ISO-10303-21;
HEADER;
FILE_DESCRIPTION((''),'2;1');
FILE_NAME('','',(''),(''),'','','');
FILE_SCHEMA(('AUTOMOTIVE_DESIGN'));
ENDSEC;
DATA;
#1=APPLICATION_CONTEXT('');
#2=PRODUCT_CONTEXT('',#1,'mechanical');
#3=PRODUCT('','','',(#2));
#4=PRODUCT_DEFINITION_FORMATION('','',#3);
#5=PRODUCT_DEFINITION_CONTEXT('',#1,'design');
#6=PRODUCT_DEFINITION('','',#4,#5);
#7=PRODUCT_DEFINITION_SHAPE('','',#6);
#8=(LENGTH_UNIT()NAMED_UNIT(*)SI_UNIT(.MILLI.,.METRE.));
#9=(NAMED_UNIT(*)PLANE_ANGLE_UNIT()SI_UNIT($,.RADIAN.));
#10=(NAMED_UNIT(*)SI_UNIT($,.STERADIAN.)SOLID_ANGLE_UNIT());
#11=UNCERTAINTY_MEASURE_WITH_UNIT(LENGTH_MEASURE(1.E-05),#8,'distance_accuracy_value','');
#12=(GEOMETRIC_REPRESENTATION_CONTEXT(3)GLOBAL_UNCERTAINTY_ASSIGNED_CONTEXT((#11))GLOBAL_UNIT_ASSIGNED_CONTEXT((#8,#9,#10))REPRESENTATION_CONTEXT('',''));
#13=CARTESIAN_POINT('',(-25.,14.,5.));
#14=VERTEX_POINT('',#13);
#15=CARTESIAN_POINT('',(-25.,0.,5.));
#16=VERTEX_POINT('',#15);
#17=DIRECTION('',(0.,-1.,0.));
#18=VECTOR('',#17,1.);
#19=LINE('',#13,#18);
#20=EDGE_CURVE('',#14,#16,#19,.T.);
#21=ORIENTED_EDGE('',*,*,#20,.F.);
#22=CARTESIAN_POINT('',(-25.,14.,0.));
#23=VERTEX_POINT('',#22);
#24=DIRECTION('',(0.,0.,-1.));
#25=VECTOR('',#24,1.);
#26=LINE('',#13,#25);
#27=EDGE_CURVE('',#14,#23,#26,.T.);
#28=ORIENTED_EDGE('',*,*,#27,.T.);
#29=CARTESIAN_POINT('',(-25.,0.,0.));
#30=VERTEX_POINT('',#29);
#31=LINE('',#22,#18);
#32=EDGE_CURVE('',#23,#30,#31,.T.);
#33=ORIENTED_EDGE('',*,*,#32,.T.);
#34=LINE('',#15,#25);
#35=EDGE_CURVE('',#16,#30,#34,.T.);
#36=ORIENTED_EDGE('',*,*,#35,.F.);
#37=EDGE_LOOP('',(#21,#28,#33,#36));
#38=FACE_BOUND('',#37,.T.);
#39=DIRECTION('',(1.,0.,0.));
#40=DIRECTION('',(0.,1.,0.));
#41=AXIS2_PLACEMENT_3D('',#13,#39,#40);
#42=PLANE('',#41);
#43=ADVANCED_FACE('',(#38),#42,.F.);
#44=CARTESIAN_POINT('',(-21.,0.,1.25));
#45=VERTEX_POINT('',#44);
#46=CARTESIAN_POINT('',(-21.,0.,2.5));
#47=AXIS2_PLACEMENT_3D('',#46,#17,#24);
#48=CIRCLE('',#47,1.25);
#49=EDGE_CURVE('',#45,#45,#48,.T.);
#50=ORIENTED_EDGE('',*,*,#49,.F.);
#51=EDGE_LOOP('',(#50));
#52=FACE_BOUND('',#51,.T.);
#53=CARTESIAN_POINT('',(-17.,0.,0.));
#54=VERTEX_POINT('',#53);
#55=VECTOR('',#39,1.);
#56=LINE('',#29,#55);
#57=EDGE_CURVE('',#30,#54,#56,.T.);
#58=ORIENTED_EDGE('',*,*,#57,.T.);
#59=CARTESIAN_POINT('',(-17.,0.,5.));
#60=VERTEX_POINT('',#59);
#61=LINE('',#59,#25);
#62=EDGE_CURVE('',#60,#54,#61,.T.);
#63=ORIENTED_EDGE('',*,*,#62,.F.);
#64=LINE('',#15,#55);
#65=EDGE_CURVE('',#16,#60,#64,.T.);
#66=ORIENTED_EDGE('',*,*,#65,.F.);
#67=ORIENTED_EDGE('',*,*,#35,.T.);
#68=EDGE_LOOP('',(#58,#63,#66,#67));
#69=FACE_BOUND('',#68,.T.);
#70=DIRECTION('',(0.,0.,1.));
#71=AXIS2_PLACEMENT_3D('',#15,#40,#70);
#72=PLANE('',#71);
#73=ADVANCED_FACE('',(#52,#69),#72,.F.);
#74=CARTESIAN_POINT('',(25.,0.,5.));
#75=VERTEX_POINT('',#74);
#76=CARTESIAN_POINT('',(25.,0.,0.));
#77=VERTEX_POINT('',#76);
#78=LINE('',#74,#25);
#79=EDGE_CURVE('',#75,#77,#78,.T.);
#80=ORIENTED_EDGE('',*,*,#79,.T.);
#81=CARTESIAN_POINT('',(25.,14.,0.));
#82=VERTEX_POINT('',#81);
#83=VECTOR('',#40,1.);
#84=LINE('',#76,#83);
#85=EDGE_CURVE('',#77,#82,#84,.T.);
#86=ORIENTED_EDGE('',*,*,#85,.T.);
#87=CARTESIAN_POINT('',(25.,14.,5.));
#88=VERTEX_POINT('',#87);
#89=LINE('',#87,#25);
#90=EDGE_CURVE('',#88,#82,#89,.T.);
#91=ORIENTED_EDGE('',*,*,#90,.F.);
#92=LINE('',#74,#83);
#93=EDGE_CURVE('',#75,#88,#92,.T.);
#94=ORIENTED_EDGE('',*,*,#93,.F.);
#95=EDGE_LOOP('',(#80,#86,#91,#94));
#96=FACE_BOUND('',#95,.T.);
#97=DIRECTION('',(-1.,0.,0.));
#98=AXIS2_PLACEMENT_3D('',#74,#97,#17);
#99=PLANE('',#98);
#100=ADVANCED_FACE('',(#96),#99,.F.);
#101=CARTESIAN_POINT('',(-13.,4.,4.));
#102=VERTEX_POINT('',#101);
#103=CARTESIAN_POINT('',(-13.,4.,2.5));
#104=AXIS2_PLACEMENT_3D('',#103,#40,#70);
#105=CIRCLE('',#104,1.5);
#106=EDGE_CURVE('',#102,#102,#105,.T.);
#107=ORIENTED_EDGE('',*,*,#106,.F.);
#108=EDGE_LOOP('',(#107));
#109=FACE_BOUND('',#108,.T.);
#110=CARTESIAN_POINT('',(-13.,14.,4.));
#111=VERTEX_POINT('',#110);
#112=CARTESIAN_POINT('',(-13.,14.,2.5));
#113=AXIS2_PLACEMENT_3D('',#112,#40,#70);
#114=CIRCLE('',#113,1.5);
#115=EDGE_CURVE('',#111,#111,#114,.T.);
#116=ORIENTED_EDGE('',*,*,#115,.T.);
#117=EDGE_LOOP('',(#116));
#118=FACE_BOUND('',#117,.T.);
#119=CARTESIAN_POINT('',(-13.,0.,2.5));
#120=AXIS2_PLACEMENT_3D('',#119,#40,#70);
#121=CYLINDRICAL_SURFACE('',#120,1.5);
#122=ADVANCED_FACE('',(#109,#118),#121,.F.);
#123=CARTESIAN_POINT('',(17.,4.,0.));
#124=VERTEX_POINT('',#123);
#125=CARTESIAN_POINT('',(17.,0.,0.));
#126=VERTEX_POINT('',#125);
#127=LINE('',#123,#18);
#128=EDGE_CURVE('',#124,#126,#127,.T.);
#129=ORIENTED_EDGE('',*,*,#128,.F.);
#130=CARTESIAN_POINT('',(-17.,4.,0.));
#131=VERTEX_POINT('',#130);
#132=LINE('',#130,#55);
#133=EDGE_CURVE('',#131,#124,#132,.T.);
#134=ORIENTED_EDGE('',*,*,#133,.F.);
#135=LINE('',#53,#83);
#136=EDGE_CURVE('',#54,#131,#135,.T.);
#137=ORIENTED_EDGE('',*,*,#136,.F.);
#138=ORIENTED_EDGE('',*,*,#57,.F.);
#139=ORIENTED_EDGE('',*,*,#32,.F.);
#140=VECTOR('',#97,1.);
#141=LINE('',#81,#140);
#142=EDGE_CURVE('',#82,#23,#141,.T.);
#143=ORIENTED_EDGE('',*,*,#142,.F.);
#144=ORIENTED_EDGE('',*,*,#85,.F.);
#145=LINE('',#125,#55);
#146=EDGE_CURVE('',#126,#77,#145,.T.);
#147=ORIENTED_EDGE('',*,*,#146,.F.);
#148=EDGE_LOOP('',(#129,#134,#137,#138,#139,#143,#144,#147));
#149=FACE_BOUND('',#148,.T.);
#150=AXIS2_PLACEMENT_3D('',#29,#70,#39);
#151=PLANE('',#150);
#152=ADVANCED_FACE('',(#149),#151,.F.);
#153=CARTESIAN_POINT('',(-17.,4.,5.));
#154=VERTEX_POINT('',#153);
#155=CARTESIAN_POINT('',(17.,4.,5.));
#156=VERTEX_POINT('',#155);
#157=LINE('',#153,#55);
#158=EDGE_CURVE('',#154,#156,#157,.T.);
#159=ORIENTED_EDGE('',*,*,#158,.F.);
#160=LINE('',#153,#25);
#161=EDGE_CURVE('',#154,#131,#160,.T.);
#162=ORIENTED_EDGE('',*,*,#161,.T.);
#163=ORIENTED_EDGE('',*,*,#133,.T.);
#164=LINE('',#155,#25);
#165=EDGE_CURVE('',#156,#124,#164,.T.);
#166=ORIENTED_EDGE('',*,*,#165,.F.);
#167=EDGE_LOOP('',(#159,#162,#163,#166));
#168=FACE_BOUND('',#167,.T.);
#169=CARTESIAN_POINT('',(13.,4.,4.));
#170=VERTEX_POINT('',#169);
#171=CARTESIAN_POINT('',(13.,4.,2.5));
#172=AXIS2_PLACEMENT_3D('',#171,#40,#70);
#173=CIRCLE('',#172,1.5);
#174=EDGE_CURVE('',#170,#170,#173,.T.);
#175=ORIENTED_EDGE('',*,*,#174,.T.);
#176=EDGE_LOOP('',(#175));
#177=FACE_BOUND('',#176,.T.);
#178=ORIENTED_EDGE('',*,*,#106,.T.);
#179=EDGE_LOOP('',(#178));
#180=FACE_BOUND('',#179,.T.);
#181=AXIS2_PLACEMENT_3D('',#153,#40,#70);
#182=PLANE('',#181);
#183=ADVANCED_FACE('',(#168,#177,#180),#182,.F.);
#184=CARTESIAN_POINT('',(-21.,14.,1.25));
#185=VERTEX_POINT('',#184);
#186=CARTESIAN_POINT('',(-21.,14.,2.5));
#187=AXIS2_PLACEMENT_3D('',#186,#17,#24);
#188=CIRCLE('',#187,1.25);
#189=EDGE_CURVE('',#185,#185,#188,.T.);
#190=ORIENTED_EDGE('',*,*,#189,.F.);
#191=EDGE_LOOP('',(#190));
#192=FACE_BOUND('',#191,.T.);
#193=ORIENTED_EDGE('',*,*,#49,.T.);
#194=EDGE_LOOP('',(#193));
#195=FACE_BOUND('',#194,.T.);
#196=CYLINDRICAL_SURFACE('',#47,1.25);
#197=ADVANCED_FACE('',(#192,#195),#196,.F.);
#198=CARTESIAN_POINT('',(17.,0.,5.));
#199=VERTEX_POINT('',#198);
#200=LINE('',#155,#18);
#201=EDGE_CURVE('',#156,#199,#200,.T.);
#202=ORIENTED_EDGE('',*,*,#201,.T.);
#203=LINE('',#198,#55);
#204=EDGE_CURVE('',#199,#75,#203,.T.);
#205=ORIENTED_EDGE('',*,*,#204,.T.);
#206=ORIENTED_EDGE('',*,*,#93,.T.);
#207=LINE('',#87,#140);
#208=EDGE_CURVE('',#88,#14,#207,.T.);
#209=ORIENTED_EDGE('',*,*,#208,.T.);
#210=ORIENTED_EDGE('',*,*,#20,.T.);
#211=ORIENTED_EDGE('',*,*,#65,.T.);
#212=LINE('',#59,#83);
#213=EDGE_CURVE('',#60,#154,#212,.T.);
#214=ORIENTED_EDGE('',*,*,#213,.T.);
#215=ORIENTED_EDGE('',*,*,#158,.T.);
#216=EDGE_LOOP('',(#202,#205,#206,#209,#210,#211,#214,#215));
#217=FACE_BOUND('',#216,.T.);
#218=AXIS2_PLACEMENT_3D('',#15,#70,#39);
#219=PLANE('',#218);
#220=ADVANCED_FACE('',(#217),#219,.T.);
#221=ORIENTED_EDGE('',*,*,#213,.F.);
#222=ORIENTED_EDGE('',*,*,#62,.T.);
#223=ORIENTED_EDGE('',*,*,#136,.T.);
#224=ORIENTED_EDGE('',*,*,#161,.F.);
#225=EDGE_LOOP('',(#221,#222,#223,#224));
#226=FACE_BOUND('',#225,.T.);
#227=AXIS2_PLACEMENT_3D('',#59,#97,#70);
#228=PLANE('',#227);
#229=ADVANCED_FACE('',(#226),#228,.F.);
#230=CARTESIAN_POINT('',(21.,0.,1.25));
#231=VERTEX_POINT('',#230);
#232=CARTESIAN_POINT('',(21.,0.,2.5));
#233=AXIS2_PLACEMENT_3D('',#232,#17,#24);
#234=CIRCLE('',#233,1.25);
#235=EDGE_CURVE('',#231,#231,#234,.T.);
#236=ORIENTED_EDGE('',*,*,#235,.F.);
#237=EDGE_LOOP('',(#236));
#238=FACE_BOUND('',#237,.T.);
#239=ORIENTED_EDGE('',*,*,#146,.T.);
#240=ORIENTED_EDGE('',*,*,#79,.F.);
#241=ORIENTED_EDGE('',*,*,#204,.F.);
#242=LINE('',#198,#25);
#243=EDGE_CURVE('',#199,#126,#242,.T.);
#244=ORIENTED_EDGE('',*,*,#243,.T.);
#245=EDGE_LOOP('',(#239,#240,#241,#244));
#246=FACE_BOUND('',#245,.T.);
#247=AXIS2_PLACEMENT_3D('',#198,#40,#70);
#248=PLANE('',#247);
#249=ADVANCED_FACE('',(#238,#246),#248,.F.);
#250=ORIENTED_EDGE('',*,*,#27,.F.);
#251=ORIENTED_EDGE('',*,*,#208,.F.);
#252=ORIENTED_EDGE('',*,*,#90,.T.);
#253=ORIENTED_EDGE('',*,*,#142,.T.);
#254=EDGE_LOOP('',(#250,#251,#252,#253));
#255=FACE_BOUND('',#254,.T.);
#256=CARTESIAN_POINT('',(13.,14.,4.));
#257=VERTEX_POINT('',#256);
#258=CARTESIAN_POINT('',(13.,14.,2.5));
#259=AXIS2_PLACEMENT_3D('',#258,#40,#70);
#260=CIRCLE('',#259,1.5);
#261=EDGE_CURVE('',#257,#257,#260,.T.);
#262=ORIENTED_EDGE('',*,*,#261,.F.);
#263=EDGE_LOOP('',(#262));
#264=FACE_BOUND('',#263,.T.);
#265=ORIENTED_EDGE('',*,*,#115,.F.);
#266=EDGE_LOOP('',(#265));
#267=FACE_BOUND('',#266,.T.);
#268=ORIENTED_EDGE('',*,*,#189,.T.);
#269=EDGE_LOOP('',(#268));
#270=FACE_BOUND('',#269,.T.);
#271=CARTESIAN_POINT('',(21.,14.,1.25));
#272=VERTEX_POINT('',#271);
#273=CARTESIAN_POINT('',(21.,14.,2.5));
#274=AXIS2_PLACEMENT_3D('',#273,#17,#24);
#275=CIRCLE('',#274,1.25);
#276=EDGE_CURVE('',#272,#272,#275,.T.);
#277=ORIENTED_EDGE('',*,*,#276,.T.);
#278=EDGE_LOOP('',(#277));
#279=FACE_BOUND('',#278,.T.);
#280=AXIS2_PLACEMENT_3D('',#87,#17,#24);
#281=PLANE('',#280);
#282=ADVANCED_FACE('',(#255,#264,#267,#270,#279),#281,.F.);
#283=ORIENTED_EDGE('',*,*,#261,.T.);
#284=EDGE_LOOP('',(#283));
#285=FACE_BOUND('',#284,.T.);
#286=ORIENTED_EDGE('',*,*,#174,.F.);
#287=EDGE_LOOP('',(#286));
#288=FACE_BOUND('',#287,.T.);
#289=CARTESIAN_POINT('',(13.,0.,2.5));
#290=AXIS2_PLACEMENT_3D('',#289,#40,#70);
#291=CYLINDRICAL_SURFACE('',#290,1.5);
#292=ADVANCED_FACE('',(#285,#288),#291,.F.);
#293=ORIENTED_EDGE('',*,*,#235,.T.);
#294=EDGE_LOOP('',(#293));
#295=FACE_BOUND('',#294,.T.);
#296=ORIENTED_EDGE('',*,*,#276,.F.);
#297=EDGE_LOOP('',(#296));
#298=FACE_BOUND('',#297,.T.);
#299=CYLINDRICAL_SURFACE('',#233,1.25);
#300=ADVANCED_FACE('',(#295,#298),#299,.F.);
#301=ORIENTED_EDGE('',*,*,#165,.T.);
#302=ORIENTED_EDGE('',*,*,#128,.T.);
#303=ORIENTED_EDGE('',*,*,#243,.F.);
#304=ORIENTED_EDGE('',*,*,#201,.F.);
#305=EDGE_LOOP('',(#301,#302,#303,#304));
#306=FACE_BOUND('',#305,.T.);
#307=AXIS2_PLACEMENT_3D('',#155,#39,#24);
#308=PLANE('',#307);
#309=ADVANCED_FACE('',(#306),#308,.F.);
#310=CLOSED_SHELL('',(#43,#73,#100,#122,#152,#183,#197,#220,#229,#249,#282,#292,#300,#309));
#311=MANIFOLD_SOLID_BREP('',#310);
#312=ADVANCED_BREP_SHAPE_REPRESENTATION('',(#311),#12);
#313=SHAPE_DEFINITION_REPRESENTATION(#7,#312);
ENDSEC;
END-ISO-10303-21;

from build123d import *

# Parameters (mm, degrees)
EXTRUSION1_DEPTH        = 5
ESQUISSE3_R             = 1.5
ENL_V_MAT_EXTRU_1_DEPTH = 30.086079144
TROU_TARAUD_M3X0_51_D   = 2.5


with BuildPart() as part:
    # Esquisse1 → Extrusion1 (new body)
    with BuildSketch(Plane.XY):
        Polygon((-25, 0), (-17, 0), (-17, 4), (17, 4), (17, 0), (25, 0), (25, 14), (-25, 14), align=None)
    extrude(amount=EXTRUSION1_DEPTH)

    # Esquisse3 → Enlèv. mat.-Extru.1 (cut, through all)
    with BuildSketch(Plane(origin=(0, 14, 0), x_dir=(1, 0, 0), z_dir=(0, 1, 0))):
        with Locations(Location((13, -2.5, 0), (0, 0, 270))):
            Circle(ESQUISSE3_R)
        with Locations(Location((-13, -2.5, 0), (0, 0, 270))):
            Circle(ESQUISSE3_R)
    extrude(amount=-ENL_V_MAT_EXTRU_1_DEPTH, mode=Mode.SUBTRACT)

    # Trou taraudé M3x0.51 (through all)
    with Locations(Plane.XZ):
        with Locations((-21, 2.5), (21, 2.5)):
            Hole(TROU_TARAUD_M3X0_51_D / 2)


solid = part.part
